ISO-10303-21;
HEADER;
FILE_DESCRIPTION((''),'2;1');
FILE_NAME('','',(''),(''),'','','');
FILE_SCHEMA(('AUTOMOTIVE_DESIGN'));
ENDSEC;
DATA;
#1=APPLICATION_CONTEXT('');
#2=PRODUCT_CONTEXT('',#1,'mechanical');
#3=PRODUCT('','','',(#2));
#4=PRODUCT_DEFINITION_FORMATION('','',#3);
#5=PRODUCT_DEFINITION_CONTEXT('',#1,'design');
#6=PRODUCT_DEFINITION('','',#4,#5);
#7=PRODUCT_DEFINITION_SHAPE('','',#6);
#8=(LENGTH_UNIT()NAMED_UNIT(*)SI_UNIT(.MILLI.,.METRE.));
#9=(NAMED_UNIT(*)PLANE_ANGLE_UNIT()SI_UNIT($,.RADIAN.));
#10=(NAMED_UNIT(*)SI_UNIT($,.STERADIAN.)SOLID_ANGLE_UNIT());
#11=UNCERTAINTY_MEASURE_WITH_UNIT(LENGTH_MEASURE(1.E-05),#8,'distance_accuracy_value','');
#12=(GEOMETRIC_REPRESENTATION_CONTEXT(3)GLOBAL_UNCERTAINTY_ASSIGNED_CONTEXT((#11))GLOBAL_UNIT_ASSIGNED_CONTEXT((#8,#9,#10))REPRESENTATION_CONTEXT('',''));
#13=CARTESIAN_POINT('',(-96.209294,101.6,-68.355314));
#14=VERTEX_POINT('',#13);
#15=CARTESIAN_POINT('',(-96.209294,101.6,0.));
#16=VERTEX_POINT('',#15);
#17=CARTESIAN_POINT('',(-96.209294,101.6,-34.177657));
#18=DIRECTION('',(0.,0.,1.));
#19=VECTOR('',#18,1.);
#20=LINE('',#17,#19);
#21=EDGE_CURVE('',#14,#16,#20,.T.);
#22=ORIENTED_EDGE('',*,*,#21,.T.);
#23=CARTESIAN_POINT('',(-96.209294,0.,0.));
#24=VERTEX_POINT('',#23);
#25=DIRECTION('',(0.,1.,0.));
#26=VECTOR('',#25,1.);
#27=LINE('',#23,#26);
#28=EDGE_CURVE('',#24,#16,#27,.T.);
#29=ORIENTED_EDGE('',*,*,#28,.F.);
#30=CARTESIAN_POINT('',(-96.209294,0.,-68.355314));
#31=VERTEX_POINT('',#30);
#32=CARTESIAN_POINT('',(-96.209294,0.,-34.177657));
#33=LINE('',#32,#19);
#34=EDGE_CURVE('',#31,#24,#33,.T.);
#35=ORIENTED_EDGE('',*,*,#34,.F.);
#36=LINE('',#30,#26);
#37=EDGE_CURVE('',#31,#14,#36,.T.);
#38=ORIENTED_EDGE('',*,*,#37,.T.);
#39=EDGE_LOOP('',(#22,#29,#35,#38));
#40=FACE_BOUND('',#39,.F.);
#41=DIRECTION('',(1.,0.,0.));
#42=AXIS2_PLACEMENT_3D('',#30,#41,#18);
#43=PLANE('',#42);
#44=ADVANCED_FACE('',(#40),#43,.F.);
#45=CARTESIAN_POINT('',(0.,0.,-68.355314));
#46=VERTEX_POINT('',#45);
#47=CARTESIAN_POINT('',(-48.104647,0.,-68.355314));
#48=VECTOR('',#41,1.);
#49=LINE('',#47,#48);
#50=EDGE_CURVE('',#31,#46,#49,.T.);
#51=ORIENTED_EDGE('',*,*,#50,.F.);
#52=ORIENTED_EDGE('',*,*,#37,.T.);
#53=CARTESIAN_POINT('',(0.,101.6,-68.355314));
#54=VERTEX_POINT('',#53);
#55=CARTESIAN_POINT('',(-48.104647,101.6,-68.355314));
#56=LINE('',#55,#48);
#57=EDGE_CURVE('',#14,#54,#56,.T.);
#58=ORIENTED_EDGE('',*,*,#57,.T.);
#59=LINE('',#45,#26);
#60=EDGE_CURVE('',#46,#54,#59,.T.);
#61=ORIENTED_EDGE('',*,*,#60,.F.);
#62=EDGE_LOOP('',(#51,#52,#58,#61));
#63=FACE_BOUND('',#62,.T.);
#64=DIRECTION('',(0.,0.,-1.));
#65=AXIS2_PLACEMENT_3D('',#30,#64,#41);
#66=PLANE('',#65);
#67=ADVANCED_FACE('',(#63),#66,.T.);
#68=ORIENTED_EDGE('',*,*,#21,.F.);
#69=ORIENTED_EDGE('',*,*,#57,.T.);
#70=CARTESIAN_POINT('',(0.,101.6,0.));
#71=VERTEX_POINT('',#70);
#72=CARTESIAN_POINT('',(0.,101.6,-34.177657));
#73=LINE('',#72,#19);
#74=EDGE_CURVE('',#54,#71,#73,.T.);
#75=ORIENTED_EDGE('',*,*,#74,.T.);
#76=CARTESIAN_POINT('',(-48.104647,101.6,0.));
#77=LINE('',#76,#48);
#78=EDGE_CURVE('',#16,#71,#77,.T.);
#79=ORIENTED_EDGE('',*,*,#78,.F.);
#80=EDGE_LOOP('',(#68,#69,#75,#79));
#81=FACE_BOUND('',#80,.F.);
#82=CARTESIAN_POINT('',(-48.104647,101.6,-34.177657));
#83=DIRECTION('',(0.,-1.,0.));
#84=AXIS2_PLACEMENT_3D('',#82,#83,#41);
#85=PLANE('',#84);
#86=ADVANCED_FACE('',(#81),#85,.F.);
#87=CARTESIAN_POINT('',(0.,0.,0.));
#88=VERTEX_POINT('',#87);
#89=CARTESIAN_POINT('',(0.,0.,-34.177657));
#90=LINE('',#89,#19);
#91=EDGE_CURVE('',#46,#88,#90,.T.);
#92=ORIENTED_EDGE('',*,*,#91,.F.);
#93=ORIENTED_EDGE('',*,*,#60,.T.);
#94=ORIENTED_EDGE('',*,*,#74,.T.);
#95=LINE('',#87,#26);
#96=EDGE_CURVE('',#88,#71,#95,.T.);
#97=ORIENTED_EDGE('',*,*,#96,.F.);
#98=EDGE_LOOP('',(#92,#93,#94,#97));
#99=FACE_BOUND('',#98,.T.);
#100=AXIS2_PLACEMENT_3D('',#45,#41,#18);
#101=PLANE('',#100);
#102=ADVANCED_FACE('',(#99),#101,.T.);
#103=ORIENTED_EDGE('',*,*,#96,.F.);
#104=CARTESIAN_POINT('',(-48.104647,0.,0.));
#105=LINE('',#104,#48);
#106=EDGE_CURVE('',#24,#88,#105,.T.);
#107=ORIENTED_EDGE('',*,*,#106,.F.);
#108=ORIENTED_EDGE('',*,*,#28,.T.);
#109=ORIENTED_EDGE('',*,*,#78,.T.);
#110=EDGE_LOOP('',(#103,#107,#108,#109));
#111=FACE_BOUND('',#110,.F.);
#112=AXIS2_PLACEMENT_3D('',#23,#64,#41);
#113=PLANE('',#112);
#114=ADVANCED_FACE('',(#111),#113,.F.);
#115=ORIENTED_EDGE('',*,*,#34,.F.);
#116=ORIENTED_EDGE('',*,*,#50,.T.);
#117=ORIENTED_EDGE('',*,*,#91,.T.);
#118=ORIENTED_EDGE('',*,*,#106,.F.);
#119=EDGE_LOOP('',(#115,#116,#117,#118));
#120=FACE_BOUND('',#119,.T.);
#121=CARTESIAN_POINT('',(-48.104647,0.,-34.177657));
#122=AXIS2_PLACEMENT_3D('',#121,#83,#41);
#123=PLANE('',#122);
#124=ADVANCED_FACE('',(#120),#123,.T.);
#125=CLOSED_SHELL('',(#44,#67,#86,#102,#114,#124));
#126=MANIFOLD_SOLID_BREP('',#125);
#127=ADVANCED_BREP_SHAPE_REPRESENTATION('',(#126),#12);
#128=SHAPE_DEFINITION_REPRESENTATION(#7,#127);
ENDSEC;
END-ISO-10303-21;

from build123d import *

# Parameters (mm, degrees)
F0_W     = 96.209295
F0_H     = 68.355314
F0_R     = 28.43981
F1_DEPTH = 101.6


with BuildPart() as f1:
    # F0 (on Front) → F1 (new body)
    with BuildSketch(Plane.XZ):
        with Locations((-48.104647, -34.177657)):
            Rectangle(F0_W, F0_H)
        with Locations((-51.343542, -31.98836)):
            Circle(F0_R, mode=Mode.SUBTRACT)
        with Locations((-51.343542, -31.98836)):
            Circle(F0_R)
    extrude(amount=-F1_DEPTH)


solid = f1.part
